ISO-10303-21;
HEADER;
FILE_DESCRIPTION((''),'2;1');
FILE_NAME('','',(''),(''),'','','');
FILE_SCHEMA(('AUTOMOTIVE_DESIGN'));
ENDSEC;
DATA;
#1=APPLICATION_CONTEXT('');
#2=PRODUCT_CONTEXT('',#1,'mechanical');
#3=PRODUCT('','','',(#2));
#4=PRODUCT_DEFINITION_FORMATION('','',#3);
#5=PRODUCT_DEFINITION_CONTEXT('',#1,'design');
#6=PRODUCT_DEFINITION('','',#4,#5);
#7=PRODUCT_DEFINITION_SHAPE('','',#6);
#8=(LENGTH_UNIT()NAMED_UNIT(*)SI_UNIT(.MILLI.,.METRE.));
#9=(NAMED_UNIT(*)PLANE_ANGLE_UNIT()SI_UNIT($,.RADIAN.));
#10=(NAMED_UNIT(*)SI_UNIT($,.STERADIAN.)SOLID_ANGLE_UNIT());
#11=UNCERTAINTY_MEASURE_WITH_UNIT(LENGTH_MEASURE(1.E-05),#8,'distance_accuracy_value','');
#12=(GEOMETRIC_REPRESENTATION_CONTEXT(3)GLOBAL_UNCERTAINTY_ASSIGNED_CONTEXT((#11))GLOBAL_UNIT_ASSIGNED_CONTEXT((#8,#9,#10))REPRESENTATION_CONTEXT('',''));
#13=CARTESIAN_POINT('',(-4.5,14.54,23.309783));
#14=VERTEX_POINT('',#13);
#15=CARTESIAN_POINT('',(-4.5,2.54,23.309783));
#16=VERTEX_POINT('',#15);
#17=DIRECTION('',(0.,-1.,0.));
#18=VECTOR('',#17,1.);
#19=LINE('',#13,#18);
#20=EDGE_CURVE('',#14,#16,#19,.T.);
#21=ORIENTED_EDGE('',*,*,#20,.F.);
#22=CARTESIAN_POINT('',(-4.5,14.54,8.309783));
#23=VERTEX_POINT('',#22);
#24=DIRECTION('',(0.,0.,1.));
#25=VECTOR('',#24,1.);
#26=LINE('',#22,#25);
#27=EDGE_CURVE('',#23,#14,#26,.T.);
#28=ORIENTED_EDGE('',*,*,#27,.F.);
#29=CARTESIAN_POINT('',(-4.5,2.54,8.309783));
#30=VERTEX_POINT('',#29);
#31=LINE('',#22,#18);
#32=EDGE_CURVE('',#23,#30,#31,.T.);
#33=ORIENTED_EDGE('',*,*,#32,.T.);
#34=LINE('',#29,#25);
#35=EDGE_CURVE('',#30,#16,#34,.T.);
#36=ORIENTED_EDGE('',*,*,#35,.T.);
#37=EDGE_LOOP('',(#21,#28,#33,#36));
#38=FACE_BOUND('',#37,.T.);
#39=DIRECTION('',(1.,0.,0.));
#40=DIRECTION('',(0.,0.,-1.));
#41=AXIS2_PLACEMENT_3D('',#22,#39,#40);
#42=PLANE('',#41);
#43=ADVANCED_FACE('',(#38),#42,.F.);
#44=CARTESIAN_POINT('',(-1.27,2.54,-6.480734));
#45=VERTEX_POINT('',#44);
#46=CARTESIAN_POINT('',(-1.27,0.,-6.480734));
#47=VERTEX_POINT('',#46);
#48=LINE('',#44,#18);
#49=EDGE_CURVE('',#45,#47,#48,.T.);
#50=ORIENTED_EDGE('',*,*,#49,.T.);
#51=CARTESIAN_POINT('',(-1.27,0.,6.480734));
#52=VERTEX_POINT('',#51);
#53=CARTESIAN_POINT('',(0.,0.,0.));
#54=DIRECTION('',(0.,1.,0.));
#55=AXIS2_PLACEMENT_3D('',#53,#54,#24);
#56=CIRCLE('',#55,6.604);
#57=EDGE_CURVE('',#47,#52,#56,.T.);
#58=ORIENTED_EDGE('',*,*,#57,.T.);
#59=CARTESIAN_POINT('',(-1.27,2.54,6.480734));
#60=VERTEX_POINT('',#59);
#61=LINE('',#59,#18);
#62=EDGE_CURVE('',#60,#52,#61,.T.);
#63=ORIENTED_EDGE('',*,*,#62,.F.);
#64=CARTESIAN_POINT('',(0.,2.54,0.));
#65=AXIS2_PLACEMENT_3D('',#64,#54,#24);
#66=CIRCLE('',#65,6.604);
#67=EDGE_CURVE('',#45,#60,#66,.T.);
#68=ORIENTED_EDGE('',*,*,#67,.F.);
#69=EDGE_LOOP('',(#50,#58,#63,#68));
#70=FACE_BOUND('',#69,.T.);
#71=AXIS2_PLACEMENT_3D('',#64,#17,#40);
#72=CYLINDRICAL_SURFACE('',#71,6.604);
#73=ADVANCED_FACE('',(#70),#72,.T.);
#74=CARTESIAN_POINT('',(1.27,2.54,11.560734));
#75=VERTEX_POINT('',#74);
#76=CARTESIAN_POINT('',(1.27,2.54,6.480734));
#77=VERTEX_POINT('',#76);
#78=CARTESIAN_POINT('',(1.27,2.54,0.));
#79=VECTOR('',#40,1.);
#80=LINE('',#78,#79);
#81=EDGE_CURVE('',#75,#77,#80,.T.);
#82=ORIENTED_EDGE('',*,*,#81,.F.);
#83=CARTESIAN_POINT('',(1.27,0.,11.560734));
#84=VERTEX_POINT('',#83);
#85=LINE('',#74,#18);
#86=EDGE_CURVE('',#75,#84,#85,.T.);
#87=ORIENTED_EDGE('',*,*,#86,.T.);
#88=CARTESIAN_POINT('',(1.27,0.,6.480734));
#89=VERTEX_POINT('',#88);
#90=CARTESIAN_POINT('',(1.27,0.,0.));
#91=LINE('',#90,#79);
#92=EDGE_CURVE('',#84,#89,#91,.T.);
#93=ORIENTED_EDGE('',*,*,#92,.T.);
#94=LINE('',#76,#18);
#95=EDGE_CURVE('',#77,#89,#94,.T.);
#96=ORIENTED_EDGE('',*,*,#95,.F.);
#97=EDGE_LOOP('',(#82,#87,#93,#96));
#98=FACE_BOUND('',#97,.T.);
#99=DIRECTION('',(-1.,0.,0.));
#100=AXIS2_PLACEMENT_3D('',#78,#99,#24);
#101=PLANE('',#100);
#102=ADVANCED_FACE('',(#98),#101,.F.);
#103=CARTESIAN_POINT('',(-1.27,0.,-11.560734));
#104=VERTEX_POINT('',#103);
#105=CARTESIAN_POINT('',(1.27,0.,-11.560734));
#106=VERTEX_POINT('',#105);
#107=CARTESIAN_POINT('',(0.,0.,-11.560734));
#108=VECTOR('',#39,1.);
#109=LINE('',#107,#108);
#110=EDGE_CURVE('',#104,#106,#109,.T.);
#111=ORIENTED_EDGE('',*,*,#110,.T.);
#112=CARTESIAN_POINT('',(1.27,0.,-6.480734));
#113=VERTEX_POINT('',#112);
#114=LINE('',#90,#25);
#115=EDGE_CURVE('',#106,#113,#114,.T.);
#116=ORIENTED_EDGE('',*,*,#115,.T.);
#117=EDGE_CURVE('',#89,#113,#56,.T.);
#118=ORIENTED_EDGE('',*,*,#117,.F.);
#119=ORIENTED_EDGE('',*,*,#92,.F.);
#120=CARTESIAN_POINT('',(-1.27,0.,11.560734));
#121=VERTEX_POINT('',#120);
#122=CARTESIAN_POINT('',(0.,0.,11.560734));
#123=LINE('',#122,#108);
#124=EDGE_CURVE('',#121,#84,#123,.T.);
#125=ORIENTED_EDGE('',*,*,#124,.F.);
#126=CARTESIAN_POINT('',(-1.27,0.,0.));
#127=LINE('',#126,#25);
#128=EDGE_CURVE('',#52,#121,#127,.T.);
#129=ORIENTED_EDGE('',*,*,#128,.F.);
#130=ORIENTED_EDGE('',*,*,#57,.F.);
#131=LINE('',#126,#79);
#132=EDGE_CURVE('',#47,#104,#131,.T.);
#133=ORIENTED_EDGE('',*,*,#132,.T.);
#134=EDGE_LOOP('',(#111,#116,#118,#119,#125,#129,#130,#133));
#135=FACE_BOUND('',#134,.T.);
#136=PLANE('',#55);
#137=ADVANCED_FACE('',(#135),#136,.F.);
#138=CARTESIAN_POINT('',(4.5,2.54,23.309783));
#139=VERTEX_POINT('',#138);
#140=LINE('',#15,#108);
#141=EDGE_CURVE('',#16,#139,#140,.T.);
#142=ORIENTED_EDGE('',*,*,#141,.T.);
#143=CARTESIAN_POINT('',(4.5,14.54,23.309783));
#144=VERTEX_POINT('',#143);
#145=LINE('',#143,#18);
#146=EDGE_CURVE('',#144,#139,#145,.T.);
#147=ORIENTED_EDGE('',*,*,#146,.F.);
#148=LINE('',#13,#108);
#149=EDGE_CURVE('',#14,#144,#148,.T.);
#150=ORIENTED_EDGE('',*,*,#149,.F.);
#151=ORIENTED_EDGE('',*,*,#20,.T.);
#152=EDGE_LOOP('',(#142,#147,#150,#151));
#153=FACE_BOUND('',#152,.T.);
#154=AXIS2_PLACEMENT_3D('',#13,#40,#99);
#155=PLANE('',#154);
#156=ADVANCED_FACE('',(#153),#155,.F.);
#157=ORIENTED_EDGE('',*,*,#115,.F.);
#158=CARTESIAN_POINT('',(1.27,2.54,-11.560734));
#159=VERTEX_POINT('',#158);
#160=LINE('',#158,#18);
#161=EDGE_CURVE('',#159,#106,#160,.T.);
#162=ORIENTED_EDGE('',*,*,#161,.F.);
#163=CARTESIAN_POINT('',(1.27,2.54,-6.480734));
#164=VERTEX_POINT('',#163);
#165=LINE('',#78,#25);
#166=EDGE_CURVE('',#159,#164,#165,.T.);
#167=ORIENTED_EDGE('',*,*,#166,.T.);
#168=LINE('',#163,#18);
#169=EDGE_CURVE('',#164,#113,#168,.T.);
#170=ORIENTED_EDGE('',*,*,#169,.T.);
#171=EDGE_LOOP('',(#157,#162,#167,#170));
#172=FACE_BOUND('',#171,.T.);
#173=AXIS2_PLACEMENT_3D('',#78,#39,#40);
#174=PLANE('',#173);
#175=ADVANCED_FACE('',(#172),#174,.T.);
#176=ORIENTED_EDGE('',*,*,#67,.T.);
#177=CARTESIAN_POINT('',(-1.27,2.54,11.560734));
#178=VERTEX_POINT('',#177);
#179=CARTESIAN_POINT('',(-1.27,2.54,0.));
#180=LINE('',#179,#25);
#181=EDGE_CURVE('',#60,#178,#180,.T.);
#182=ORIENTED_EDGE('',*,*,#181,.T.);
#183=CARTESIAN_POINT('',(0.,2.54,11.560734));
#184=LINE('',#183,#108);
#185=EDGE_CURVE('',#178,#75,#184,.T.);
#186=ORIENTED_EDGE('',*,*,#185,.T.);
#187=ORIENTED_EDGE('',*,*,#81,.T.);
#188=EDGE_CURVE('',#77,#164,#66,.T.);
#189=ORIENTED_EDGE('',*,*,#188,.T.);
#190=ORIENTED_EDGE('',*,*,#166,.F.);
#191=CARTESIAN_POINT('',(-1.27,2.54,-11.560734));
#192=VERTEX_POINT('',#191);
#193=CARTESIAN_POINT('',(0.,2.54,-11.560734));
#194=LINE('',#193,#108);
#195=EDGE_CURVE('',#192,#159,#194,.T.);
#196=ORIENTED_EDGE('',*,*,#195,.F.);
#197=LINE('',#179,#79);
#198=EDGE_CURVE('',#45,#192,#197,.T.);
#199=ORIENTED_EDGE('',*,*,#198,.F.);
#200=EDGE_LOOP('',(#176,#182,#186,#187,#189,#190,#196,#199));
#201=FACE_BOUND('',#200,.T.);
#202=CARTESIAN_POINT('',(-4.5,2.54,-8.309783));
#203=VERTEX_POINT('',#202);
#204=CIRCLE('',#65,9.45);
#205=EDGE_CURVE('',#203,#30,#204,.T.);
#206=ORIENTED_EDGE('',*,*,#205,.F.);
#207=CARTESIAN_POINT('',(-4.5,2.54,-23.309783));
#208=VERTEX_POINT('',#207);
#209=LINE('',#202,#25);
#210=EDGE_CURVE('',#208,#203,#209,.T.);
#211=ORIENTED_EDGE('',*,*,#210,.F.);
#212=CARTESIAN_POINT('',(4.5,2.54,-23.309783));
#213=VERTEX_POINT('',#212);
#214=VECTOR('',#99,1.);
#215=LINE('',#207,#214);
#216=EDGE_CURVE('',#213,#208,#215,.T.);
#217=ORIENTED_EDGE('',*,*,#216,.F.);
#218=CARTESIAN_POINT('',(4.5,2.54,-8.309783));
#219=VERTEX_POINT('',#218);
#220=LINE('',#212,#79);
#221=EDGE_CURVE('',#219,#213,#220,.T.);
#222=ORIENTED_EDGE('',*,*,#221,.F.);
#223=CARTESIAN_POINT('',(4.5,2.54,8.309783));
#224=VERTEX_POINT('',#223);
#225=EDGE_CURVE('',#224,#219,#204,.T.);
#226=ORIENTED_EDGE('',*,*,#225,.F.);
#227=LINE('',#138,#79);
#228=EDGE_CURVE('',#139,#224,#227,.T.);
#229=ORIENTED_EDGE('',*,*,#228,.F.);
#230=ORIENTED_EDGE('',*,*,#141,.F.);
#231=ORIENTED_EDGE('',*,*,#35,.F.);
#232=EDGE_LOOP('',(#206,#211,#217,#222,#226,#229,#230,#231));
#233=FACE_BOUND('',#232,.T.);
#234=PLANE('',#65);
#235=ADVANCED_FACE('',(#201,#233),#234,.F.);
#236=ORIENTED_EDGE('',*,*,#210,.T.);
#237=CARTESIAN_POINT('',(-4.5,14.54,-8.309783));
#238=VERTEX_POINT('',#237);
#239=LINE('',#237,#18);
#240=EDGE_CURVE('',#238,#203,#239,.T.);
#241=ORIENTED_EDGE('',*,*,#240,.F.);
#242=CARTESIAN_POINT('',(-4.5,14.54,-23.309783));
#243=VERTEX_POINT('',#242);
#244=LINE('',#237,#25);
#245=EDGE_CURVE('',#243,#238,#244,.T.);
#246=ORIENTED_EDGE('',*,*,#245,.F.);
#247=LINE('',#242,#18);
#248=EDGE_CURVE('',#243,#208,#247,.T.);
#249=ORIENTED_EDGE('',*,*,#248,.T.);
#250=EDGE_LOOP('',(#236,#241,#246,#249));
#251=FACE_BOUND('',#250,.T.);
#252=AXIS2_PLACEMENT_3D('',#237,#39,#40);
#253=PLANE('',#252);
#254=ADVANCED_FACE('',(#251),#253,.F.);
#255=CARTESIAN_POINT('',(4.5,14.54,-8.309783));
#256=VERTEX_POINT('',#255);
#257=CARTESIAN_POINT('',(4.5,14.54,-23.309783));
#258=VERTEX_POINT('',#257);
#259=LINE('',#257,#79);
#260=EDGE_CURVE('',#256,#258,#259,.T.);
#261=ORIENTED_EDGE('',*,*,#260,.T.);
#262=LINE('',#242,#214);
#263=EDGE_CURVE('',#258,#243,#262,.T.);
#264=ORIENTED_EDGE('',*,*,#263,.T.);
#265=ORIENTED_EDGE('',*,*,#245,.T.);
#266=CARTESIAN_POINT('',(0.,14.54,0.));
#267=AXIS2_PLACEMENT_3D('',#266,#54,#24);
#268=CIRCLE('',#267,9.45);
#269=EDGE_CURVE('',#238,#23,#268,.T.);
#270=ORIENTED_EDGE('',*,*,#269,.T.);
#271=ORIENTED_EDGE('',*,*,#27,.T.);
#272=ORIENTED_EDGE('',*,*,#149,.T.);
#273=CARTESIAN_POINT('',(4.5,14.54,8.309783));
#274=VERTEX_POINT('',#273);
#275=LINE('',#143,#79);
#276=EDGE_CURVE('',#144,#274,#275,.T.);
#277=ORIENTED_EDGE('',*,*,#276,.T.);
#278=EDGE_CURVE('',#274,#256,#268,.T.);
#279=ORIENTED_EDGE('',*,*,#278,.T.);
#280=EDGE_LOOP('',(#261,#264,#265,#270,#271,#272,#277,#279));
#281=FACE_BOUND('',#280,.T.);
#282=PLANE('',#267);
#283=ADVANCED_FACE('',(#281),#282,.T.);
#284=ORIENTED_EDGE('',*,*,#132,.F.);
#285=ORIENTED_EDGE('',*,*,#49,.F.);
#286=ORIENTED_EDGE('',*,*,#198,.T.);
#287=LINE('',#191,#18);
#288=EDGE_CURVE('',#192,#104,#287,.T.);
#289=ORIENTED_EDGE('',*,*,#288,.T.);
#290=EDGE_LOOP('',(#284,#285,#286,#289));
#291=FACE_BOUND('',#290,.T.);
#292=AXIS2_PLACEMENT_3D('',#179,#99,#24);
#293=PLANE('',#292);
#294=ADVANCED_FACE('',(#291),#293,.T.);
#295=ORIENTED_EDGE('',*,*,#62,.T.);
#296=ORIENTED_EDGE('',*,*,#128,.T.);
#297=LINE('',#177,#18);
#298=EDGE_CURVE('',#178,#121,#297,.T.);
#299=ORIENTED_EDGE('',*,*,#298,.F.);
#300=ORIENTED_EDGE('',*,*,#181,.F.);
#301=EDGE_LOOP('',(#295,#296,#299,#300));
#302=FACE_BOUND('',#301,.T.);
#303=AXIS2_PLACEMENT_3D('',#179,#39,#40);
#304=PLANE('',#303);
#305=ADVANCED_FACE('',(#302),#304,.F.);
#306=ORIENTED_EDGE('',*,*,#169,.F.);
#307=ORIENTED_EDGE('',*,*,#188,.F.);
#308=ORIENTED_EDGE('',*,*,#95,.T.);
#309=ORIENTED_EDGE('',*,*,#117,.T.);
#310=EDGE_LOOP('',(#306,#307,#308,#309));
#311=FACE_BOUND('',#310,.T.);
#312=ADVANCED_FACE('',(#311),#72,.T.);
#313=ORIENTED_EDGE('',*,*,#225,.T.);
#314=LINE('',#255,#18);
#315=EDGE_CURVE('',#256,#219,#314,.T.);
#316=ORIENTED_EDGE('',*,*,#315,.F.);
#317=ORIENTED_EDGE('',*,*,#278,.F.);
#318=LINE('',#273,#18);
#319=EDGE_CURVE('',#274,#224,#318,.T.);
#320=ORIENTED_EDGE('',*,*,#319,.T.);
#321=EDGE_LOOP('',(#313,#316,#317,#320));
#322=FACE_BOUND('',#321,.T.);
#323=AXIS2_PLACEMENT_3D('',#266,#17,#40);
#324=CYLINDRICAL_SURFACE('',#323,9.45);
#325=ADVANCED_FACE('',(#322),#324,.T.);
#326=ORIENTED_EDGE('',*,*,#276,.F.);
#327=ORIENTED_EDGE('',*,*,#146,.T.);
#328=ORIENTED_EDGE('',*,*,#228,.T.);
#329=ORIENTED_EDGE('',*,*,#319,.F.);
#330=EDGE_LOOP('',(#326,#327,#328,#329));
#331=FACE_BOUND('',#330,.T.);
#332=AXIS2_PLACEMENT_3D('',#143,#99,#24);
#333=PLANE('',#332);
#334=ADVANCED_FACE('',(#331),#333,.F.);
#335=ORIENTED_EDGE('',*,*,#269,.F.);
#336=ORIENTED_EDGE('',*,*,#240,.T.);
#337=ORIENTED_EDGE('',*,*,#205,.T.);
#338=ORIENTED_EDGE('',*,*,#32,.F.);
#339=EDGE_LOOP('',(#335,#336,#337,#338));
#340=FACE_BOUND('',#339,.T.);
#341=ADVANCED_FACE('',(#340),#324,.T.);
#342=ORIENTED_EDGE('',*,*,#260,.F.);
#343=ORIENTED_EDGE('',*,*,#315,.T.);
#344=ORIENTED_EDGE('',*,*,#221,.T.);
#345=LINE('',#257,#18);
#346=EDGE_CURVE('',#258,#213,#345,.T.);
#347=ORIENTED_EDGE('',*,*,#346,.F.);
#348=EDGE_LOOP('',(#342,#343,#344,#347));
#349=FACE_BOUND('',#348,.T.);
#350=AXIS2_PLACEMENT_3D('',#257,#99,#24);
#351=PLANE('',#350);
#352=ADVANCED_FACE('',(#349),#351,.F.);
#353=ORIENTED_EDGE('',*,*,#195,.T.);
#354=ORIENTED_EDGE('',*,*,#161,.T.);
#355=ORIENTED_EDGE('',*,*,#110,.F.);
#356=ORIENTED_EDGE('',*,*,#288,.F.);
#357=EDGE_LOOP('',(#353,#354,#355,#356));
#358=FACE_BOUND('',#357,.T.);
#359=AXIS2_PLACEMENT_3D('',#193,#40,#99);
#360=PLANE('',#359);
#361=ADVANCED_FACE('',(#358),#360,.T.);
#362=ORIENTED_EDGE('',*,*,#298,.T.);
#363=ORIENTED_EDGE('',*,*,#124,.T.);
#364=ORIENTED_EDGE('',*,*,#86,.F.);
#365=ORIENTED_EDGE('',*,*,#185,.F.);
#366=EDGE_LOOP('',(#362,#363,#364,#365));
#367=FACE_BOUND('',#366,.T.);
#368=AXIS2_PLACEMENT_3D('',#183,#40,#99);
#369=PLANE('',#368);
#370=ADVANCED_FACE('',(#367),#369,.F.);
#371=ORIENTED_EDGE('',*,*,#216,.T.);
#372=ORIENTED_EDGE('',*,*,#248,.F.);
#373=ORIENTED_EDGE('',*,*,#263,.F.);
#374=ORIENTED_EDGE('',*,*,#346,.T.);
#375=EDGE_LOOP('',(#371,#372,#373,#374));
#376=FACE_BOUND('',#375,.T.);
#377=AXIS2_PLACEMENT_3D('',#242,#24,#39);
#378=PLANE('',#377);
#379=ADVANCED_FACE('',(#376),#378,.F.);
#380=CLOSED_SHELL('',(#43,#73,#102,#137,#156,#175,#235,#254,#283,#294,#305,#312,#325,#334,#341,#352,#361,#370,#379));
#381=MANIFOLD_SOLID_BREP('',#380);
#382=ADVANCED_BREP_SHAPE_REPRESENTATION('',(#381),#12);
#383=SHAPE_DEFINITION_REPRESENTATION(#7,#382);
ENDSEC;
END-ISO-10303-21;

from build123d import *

# Parameters (mm, degrees)
BOSS_EXTRUDE1_DEPTH = 2.54
BOSS_EXTRUDE2_DEPTH = 12


with BuildPart() as part:
    # Sketch1 → Boss-Extrude1 (new body)
    with BuildSketch(Plane(origin=(0, 0, 0), x_dir=(1, 0, 0), z_dir=(0, 1, 0))):
        with BuildLine():
            ThreePointArc((1.27, -6.480734218), (0, -6.604), (-1.27, -6.480734218))
            Line((-1.27, -6.480734218), (-1.27, -11.560734218))
            Line((-1.27, -11.560734218), (1.27, -11.560734218))
            Line((1.27, -11.560734218), (1.27, -6.480734218))
        make_face()
        with BuildLine():
            ThreePointArc((1.27, 6.480734218), (0, 6.604), (-1.27, 6.480734218))
            ThreePointArc((-1.27, 6.480734218), (-6.604, 0), (-1.27, -6.480734218))
            ThreePointArc((-1.27, -6.480734218), (0, -6.604), (1.27, -6.480734218))
            ThreePointArc((1.27, -6.480734218), (5.099014415, -4.196768757), (6.604, 0))
            ThreePointArc((6.604, 0), (5.099014415, 4.196768757), (1.27, 6.480734218))
        make_face()
        with BuildLine():
            Line((-1.27, 11.560734218), (-1.27, 6.480734218))
            ThreePointArc((-1.27, 6.480734218), (0, 6.604), (1.27, 6.480734218))
            Line((1.27, 6.480734218), (1.27, 11.560734218))
            Line((1.27, 11.560734218), (-1.27, 11.560734218))
        make_face()
    extrude(amount=BOSS_EXTRUDE1_DEPTH)

    # Sketch2 → Boss-Extrude2 (add)
    with BuildSketch(Plane(origin=(0, 2.54, 0), x_dir=(1, 0, 0), z_dir=(0, 1, 0))):
        with BuildLine():
            Line((-4.5, 8.309783391), (-4.5, 23.309783391))
            Line((-4.5, 23.309783391), (4.5, 23.309783391))
            Line((4.5, 23.309783391), (4.5, 8.309783391))
            ThreePointArc((4.5, 8.309783391), (9.45, 0), (4.5, -8.309783391))
            Line((4.5, -8.309783391), (4.5, -23.309783391))
            Line((4.5, -23.309783391), (-4.5, -23.309783391))
            Line((-4.5, -23.309783391), (-4.5, -8.309783391))
            ThreePointArc((-4.5, -8.309783391), (-9.45, 0), (-4.5, 8.309783391))
        make_face()
    extrude(amount=BOSS_EXTRUDE2_DEPTH)


solid = part.part
